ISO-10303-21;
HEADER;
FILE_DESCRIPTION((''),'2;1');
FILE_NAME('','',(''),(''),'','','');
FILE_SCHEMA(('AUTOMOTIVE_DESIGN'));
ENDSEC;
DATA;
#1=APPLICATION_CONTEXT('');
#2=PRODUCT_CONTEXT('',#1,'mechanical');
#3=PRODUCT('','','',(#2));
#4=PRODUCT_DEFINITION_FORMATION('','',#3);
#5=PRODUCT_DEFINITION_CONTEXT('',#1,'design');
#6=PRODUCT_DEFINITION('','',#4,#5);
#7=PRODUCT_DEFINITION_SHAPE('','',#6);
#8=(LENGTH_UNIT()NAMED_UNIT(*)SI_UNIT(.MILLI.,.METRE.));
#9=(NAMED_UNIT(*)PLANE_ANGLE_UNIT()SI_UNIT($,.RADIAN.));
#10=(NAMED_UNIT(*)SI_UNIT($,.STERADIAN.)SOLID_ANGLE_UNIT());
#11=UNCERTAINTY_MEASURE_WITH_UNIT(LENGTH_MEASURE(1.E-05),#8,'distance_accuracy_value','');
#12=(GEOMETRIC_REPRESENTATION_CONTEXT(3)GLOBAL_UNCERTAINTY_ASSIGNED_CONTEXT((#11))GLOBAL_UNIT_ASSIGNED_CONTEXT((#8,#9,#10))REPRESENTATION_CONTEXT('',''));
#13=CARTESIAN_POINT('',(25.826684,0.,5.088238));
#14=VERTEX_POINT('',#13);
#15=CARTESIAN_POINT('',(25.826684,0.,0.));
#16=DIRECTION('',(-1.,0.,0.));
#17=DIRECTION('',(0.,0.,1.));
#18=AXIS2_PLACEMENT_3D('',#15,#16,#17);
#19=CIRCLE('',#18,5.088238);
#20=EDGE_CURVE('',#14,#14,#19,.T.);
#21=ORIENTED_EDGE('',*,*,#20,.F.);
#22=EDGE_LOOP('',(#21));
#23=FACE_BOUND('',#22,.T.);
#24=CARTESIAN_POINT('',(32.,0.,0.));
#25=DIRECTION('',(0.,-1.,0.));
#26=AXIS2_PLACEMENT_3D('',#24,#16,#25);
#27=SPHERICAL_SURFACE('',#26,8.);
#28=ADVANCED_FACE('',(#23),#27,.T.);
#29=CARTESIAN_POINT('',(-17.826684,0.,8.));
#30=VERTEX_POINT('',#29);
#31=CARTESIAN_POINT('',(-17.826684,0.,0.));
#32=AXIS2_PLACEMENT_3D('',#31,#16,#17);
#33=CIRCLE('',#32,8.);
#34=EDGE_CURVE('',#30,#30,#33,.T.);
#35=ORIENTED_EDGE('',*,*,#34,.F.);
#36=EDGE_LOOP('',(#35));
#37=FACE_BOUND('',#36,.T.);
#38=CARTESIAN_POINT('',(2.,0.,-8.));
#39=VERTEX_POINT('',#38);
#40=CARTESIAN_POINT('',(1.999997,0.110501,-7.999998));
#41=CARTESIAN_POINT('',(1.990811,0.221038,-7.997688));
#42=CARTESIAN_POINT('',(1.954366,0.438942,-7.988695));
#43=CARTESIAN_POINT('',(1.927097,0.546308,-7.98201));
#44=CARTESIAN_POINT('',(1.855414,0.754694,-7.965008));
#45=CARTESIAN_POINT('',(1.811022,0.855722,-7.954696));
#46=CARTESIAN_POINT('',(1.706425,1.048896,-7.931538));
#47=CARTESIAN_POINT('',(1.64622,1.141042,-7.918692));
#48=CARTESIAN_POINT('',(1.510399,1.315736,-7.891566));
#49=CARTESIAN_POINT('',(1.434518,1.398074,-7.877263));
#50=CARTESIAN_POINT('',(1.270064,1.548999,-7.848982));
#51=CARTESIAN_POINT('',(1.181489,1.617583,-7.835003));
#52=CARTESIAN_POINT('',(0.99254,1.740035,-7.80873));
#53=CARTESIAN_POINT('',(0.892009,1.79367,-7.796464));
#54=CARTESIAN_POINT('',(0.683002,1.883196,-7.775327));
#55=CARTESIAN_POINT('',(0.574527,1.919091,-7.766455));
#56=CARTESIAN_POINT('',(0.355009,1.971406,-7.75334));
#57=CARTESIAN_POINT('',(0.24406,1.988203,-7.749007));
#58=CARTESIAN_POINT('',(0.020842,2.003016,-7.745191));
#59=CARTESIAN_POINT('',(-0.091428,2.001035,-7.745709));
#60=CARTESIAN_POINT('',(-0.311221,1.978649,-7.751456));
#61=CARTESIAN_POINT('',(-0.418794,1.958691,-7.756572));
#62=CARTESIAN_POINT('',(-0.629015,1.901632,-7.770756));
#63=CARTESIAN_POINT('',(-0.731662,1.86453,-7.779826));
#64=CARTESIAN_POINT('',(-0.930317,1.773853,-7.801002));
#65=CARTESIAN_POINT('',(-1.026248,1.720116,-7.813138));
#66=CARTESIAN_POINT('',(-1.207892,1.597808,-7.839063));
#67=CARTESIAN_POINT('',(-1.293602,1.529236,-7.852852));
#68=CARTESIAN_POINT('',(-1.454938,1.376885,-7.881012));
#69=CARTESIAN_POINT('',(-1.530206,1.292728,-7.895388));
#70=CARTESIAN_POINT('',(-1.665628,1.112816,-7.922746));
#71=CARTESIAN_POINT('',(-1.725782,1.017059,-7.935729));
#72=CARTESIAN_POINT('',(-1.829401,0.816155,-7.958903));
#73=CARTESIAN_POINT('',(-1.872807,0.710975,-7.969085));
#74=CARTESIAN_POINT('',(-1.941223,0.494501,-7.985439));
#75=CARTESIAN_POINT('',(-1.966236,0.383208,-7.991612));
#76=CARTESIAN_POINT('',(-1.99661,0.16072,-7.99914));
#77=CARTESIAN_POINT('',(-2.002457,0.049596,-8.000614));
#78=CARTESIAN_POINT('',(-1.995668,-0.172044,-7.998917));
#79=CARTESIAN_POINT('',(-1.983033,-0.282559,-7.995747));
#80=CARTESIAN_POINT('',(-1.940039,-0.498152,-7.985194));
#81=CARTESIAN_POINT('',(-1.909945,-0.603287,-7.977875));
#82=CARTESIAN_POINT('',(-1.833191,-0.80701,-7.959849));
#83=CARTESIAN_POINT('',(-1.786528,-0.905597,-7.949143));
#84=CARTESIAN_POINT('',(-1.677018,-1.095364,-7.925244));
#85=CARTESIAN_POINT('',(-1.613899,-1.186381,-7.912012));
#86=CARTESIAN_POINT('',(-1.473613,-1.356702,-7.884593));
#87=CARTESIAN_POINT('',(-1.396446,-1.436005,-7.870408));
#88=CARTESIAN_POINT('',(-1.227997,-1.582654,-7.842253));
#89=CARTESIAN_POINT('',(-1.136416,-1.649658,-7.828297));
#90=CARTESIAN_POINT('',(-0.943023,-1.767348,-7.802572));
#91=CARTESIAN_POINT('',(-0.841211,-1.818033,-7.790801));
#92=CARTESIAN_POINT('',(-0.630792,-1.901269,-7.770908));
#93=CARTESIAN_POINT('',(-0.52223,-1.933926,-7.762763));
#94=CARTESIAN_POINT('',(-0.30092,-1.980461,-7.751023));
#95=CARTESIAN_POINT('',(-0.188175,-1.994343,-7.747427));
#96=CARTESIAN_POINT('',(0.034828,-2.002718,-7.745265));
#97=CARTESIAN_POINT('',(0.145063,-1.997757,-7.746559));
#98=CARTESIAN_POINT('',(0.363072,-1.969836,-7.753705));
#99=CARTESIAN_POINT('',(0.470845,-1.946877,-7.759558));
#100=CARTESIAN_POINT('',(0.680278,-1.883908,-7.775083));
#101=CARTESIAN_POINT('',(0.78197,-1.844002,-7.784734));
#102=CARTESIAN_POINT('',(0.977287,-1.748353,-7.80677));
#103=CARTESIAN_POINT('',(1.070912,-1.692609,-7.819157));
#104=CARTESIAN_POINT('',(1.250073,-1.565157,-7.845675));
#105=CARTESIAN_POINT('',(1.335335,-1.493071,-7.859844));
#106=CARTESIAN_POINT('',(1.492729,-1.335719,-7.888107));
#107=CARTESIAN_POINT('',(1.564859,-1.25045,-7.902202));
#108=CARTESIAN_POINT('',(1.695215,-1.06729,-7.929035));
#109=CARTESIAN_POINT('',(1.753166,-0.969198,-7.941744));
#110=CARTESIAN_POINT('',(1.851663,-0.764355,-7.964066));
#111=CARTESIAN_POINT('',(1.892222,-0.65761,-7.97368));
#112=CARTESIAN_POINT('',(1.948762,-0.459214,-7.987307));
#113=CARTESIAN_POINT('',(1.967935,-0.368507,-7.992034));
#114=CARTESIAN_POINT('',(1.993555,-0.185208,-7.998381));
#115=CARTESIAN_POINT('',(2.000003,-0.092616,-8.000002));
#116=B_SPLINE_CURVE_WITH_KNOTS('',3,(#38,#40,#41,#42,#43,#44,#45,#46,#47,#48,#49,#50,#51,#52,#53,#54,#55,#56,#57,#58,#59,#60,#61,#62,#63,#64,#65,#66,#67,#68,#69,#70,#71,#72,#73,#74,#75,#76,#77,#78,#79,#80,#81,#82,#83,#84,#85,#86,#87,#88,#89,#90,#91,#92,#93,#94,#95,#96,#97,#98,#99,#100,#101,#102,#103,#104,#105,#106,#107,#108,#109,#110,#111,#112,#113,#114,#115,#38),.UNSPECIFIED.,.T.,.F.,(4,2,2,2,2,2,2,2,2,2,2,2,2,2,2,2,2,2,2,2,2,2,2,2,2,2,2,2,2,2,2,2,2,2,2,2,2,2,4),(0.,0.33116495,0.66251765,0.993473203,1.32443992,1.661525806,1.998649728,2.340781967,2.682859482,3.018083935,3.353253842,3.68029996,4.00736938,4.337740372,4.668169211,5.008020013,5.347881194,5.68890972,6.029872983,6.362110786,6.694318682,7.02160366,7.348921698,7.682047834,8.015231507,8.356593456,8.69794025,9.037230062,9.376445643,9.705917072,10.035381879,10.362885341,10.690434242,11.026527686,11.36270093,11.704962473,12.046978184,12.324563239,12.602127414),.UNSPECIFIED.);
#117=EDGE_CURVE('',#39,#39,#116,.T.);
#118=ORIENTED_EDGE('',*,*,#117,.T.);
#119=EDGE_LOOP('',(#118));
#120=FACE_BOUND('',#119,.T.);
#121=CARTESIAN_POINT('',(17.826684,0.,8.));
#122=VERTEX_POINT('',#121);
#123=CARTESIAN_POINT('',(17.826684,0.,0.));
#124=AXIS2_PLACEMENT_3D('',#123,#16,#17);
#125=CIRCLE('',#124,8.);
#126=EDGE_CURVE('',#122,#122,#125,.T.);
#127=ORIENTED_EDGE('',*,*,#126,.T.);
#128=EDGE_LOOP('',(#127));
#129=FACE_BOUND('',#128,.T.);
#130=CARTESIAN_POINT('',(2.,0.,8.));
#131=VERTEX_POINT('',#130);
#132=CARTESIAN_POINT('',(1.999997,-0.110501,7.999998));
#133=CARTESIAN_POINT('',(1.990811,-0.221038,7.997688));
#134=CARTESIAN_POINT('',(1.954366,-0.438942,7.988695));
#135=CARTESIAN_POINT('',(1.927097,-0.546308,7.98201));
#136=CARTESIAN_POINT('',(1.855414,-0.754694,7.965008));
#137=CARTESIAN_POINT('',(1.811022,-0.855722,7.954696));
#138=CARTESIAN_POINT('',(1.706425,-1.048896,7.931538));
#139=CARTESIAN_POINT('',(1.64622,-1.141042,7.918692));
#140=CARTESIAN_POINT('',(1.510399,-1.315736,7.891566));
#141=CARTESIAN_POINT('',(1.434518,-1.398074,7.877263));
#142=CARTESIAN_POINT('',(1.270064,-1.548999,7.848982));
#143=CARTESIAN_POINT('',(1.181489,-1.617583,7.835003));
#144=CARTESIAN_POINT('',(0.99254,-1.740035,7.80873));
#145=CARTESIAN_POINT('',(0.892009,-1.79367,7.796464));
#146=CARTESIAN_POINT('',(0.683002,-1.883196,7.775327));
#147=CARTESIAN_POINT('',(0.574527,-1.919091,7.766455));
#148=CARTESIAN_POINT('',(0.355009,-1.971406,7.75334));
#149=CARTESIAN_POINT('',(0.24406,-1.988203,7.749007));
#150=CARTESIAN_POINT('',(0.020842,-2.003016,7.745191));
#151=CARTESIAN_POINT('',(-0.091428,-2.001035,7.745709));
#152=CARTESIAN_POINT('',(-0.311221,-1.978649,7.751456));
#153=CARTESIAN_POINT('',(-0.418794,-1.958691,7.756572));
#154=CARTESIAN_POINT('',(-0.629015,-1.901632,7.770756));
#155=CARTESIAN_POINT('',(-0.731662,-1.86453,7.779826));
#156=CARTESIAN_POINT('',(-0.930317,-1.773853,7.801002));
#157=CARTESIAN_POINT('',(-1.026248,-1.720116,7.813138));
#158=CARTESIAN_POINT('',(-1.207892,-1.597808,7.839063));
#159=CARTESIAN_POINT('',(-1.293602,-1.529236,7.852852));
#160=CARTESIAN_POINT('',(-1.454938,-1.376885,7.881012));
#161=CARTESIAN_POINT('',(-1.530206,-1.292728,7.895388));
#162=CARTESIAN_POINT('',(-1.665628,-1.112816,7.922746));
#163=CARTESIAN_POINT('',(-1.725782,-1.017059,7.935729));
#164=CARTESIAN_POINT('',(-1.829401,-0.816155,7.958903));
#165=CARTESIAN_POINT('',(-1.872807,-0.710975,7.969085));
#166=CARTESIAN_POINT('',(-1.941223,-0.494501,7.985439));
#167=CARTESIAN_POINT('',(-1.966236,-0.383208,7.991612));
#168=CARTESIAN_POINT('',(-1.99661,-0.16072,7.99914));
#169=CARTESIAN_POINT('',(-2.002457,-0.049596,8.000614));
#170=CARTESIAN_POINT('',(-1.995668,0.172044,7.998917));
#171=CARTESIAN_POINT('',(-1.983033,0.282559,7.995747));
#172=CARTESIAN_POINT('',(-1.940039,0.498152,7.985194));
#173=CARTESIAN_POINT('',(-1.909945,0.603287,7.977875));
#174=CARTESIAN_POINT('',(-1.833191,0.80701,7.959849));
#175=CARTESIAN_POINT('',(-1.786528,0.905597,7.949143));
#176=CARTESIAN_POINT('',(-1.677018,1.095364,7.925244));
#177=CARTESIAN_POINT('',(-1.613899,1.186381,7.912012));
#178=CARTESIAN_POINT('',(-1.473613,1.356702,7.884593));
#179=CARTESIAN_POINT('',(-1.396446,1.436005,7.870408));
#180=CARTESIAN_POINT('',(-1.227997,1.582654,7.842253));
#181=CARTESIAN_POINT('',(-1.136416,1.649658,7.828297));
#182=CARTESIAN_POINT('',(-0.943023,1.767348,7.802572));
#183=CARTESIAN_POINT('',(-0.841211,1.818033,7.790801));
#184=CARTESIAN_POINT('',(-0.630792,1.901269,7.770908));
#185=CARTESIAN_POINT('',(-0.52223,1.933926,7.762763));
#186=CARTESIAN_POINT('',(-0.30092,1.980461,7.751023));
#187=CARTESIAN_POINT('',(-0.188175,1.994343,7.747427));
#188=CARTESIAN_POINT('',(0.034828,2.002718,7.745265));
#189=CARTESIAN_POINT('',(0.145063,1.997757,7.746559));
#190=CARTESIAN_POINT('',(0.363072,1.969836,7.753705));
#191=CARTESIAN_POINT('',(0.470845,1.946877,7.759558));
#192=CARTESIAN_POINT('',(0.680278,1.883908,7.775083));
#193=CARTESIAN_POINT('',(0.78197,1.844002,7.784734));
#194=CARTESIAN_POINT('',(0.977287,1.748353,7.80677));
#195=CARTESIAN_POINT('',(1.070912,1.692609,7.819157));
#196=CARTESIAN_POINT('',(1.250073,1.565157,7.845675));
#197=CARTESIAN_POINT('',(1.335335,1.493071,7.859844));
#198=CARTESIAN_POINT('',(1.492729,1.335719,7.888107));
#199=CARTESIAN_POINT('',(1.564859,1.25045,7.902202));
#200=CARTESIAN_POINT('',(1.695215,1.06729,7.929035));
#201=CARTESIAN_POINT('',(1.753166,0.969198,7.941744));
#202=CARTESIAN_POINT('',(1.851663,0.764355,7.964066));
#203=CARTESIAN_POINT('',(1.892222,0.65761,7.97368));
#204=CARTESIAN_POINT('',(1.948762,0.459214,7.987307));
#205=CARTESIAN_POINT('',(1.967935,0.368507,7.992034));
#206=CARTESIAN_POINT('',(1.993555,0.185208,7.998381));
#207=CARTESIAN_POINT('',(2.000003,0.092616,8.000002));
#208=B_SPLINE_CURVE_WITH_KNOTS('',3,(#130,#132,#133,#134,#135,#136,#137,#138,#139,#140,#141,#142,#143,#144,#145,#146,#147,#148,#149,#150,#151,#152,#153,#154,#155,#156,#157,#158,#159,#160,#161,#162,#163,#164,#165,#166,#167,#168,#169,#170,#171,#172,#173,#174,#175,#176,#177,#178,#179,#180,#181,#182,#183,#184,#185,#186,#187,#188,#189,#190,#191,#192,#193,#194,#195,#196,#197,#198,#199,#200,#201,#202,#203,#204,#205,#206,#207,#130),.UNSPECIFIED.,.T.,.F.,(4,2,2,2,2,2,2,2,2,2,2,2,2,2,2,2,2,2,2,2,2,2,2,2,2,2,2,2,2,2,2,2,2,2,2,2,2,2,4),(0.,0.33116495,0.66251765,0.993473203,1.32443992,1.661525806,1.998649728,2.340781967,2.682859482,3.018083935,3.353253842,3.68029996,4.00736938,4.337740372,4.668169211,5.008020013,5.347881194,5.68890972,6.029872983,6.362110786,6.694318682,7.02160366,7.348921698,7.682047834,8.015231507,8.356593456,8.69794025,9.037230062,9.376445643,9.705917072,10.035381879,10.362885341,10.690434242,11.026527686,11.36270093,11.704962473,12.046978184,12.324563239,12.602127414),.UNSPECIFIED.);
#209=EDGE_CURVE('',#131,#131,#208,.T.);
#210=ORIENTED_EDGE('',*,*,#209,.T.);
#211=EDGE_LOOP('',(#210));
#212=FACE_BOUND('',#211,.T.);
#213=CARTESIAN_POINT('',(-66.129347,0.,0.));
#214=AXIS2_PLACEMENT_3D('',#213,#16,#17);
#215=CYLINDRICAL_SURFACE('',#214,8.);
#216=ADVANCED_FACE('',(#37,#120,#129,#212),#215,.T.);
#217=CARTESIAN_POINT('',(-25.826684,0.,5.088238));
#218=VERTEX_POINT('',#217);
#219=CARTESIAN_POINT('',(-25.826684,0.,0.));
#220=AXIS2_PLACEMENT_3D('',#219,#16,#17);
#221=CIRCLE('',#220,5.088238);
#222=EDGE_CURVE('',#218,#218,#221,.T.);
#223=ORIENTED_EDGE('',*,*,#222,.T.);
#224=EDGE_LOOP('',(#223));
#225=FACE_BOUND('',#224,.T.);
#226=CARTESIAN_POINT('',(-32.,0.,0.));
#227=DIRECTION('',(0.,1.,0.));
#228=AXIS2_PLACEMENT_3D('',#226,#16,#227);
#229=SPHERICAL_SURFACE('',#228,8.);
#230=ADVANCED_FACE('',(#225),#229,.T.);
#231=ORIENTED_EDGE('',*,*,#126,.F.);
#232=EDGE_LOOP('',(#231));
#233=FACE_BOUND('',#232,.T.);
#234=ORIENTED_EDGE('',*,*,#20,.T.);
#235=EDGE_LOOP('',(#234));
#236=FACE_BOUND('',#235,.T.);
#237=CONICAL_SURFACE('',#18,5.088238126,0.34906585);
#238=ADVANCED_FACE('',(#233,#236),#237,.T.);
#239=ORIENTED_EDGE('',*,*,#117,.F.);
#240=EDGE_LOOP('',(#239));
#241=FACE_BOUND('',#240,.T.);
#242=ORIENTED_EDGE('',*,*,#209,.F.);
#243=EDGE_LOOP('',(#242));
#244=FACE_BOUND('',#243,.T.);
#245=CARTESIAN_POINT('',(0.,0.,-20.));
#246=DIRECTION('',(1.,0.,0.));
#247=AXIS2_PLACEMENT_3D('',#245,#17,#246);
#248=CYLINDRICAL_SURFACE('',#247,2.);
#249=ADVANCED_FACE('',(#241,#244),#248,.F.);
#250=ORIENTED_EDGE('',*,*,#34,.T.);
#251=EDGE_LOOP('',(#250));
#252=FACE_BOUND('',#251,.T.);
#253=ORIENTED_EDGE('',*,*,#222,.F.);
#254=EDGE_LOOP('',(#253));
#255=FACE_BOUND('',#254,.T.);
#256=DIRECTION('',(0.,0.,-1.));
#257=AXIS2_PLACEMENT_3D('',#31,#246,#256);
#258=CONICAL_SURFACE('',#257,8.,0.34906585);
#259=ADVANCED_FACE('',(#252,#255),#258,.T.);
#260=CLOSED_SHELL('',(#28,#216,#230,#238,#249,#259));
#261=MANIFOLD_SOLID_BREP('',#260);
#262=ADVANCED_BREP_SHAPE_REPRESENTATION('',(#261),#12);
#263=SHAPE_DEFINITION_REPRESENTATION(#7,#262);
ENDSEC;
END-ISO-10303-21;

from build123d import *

# Parameters (mm, degrees)
ESQUISSE2_R             = 2
ENL_V_MAT_EXTRU_1_DEPTH = 20


with BuildPart() as part:
    # Esquisse1 → Base-Révolution (revolve)
    with BuildSketch(Plane.XY):
        with BuildLine():
            Line((-25.826683811, 5.088238126), (-17.826683811, 8))
            Line((-17.826683811, 8), (17.826683811, 8))
            Line((17.826683811, 8), (25.826683811, 5.088238126))
            ThreePointArc((25.826683811, 5.088238126), (34.703097342, 7.529492995), (40, 0))
            Line((40, 0), (-40, 0))
            ThreePointArc((-40, 0), (-34.703097342, 7.529492995), (-25.826683811, 5.088238126))
        make_face()
    revolve(axis=Axis((-66.129346734, 0, 0), (1, 0, 0)))

    # Esquisse2 → Enlèv. mat.-Extru.1 (cut, symmetric)
    with BuildSketch(Plane.XY):
        Circle(ESQUISSE2_R)
    extrude(amount=ENL_V_MAT_EXTRU_1_DEPTH, both=True, mode=Mode.SUBTRACT)


solid = part.part
